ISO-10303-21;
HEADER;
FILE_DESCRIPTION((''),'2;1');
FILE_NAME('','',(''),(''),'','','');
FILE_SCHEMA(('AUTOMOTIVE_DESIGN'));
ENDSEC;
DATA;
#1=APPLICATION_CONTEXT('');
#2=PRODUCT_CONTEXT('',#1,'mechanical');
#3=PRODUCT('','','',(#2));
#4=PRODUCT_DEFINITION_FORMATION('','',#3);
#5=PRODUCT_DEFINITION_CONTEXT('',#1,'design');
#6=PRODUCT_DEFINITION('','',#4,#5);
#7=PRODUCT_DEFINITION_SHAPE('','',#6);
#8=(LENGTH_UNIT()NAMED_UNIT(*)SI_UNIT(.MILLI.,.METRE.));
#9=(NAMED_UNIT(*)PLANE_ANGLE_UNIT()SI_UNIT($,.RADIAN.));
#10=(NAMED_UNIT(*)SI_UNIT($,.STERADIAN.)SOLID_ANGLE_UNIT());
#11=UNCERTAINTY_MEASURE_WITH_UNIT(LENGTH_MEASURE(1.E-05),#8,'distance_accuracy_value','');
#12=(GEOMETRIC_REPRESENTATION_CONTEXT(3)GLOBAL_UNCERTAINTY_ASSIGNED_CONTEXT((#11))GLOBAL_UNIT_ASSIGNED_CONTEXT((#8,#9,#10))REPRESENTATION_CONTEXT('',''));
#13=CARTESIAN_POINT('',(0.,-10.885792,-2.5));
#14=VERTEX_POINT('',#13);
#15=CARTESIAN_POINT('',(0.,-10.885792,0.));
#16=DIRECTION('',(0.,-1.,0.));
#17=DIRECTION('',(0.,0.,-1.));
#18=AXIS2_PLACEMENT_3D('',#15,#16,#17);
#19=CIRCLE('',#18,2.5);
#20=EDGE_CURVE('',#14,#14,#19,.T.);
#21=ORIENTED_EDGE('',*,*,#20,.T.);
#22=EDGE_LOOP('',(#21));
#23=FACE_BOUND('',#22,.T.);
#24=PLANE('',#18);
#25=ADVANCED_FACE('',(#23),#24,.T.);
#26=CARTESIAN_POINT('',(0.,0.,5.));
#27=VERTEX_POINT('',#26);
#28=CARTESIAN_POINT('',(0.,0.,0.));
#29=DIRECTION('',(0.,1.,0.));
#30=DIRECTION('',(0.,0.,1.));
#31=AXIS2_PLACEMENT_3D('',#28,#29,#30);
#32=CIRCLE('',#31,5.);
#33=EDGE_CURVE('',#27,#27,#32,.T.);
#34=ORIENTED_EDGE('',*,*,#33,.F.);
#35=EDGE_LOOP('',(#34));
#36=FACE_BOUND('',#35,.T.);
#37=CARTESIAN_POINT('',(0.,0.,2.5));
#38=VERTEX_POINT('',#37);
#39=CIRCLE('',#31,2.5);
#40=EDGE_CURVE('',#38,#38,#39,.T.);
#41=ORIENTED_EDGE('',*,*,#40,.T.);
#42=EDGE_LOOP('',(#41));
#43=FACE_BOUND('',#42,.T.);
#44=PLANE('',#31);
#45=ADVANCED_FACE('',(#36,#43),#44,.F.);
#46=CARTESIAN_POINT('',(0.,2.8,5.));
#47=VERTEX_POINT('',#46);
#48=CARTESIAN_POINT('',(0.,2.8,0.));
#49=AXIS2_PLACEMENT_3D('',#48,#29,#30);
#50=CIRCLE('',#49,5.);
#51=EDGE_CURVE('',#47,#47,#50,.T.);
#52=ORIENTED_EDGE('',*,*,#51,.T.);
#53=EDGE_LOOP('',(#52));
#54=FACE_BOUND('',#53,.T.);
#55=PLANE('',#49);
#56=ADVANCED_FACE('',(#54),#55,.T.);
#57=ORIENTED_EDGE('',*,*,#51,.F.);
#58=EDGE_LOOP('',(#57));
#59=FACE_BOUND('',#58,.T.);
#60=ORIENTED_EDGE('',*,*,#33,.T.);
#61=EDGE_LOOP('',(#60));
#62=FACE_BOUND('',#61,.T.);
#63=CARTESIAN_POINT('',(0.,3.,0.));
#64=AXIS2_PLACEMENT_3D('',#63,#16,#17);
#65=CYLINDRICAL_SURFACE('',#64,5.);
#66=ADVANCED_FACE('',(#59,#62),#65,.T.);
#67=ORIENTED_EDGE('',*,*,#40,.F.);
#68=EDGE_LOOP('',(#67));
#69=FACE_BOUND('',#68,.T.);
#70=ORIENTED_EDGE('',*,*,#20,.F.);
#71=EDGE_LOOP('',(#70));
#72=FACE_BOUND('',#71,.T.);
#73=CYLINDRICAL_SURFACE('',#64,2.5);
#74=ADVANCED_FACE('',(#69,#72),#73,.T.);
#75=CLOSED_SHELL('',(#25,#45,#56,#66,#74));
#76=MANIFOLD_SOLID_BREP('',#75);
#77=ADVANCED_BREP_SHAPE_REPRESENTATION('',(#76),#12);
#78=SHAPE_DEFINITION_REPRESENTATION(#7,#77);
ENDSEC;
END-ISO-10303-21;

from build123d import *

# Parameters (mm, degrees)
SKETCH1_R                = 5
SKETCH1_R_2              = 2.5
BOSS_EXTRUDE2_DEPTH      = 3
BOSS_EXTRUDE3_DEPTH      = 10.885792211
BOSS_EXTRUDE3_DEPTH_BACK = 3
SKETCH5_R                = 2.5
CUT_EXTRUDE3_START       = -0.2
SKETCH6_R                = 5
CUT_EXTRUDE3_DEPTH       = 0.2


with BuildPart() as part:
    # Sketch1 → Boss-Extrude2 (new body)
    with BuildSketch(Plane(origin=(0, 0, 0), x_dir=(1, 0, 0), z_dir=(0, 1, 0))):
        with Locations(Location((0, 0, 0), (0, 0, 270))):
            Circle(SKETCH1_R)
        with Locations(Location((0, 0, 0), (0, 0, 270))):
            Circle(SKETCH1_R_2, mode=Mode.SUBTRACT)
    extrude(amount=BOSS_EXTRUDE2_DEPTH)

    # Sketch5 → Boss-Extrude3 (add, two sides: drawn at the far end of the back side and taken through both)
    with BuildSketch(Plane.XZ.offset(-BOSS_EXTRUDE3_DEPTH_BACK)):
        with Locations(Location((0, 0, 0), (0, 0, 270))):
            Circle(SKETCH5_R)
    extrude(amount=BOSS_EXTRUDE3_DEPTH + BOSS_EXTRUDE3_DEPTH_BACK)

    # Sketch6 → Cut-Extrude3 (cut)
    with BuildSketch(Plane(origin=(0, 3, 0), x_dir=(1, 0, 0), z_dir=(0, 1, 0)).offset(CUT_EXTRUDE3_START)):
        with Locations(Location((0, 0, 0), (0, 0, 270))):
            Circle(SKETCH6_R)
    extrude(amount=CUT_EXTRUDE3_DEPTH, mode=Mode.SUBTRACT)


solid = part.part
